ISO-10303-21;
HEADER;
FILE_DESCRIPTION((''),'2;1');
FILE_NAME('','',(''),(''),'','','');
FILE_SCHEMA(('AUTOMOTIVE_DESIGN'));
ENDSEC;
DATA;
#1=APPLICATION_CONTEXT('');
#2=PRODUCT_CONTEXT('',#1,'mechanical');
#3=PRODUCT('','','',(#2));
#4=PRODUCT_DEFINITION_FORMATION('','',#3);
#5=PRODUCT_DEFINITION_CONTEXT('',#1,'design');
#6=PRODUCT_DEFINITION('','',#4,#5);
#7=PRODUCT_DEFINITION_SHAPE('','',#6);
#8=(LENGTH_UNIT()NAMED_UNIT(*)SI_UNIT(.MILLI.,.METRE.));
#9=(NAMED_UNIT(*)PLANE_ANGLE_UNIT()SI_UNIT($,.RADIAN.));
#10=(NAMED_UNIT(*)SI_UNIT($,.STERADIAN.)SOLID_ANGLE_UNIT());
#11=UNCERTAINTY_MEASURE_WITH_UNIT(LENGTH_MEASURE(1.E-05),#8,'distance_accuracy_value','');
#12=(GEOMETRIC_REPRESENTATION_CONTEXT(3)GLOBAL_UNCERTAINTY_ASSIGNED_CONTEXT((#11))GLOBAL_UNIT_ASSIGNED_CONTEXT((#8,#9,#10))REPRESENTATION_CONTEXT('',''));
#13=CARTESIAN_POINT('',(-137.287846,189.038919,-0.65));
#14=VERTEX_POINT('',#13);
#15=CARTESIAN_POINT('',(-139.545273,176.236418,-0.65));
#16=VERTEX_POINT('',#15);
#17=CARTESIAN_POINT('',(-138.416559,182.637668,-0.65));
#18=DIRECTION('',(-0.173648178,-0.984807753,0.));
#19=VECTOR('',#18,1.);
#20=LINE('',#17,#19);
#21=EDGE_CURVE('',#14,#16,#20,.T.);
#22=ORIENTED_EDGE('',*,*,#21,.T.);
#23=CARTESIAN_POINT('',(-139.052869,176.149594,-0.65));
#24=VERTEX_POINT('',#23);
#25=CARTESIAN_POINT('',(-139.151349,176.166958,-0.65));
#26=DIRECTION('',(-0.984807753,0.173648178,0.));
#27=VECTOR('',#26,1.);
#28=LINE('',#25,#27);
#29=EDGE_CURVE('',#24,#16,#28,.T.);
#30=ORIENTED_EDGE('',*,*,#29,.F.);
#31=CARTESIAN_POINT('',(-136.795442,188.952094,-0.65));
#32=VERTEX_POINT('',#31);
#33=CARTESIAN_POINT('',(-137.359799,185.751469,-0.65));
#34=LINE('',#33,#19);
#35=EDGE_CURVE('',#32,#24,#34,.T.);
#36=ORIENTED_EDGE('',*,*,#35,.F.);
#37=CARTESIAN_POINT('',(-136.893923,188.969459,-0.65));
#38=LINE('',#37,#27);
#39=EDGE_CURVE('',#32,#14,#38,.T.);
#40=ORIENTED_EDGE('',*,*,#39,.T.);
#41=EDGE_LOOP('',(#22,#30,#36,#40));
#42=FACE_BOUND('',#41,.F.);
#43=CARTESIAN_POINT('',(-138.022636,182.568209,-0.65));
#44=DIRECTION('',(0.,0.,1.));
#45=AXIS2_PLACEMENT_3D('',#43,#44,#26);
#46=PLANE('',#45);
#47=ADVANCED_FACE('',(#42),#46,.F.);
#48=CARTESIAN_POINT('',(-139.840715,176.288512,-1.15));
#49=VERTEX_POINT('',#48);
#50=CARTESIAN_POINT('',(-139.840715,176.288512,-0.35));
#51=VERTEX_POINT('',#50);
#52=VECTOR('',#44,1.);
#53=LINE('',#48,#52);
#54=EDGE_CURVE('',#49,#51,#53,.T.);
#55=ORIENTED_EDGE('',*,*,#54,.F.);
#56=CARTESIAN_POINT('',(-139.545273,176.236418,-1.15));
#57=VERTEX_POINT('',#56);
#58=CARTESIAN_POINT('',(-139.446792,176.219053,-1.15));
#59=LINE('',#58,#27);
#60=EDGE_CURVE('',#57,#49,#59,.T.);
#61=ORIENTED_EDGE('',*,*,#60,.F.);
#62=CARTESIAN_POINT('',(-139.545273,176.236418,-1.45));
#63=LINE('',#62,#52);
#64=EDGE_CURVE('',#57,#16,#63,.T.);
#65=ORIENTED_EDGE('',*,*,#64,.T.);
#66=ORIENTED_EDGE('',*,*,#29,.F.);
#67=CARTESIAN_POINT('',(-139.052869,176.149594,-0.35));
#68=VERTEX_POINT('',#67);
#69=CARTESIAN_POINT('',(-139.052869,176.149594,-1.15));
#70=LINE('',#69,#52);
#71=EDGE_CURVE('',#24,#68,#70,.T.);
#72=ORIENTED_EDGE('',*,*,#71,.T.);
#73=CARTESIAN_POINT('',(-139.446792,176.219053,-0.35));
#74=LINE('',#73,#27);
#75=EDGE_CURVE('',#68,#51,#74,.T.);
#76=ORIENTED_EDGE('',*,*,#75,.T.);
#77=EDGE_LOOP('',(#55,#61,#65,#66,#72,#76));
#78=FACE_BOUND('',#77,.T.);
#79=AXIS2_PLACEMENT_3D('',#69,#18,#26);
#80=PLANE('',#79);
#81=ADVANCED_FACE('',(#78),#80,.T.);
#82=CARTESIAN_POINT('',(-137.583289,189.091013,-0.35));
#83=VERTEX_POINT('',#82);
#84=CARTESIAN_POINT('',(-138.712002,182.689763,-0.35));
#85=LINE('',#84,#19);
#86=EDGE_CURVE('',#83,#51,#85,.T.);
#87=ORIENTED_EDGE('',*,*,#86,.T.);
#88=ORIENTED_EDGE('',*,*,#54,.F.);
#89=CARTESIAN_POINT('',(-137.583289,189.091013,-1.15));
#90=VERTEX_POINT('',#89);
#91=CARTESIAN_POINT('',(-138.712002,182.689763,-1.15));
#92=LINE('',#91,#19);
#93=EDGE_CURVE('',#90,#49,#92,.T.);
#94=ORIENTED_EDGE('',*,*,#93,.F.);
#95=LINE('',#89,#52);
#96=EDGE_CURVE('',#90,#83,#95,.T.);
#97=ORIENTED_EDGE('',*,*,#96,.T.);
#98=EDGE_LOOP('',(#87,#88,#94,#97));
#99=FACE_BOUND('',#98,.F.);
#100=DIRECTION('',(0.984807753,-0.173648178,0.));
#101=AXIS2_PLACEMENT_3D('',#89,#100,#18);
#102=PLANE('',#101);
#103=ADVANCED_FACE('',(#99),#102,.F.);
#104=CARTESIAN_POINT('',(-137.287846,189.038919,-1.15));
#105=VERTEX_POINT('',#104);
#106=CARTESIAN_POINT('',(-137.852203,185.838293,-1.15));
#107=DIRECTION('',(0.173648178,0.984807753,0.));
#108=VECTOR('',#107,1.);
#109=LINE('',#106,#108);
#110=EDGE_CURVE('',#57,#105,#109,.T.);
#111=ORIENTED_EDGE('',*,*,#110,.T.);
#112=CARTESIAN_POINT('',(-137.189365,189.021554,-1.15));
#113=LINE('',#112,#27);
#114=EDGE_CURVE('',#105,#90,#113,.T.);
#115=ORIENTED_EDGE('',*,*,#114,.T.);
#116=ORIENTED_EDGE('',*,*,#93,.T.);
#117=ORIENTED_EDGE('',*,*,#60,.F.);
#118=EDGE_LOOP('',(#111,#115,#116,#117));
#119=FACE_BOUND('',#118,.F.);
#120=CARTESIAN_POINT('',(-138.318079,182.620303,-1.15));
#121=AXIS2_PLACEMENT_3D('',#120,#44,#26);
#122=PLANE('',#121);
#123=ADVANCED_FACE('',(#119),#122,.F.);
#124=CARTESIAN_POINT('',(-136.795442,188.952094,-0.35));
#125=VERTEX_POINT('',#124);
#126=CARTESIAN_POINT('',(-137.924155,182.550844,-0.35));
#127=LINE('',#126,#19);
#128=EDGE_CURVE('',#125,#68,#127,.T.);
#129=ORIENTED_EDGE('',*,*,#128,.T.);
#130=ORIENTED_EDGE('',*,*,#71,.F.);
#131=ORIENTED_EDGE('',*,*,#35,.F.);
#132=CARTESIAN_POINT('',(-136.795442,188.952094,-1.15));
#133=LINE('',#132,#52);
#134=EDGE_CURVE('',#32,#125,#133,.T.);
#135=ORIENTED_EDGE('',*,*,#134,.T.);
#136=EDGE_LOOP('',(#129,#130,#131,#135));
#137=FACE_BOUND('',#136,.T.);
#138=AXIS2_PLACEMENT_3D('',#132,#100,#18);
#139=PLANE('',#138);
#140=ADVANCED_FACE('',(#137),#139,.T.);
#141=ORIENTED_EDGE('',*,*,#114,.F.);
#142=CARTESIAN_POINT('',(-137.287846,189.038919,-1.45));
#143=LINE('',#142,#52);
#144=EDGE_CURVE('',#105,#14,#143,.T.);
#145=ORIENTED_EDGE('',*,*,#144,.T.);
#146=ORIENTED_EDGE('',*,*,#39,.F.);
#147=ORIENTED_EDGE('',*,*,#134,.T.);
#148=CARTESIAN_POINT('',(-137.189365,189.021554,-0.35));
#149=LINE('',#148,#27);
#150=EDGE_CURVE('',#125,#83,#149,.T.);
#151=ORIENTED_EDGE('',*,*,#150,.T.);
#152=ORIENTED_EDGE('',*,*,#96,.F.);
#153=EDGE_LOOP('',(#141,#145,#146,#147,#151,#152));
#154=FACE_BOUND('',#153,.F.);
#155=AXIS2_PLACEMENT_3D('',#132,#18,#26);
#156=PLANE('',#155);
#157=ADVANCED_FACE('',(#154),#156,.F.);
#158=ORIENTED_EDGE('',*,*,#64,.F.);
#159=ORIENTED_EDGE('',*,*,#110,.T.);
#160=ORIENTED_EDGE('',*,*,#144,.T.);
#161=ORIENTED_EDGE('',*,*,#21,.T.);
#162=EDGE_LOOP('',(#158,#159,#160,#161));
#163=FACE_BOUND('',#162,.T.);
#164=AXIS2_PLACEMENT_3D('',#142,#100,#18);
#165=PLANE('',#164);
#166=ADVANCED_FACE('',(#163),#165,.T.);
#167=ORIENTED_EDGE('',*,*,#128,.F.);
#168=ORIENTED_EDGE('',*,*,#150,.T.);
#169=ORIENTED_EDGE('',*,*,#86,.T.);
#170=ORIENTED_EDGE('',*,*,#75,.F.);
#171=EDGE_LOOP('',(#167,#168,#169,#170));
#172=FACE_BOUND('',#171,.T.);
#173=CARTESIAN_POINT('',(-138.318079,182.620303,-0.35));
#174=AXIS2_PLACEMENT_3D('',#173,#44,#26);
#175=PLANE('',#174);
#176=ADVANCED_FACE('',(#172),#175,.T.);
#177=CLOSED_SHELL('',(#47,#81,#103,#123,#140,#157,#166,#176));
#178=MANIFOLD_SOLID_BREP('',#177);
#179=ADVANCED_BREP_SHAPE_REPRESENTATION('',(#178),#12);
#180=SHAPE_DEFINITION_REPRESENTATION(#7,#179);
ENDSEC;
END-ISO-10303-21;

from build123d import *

# Parameters (mm, degrees)
BOX181_W               = 0.8
BOX181_H               = 13
BOX181_DEPTH           = 0.8
BOX182_W               = 0.8
BOX182_H               = 13
BOX182_DEPTH           = 0.8
CUT094_PLACEMENT_ANGLE = 170


with BuildPart() as cubo181:
    # Box181 → Box181 (new body)
    with BuildSketch(Plane.XY):
        with Locations((0.4, 6.5)):
            Rectangle(BOX181_W, BOX181_H)
    extrude(amount=BOX181_DEPTH)


with BuildPart() as perfil_l_2da_cara036:
    # Box182 → Box182 (new body)
    with BuildSketch(Plane(origin=(0.3, 0, 0.3), x_dir=(1, 0, 0), z_dir=(0, 0, 1))):
        with Locations((0.4, 6.5)):
            Rectangle(BOX182_W, BOX182_H)
    extrude(amount=BOX182_DEPTH)

    # Cut094: cut Cubo181
    add(cubo181.part, mode=Mode.SUBTRACT)


with BuildPart() as perfil_l_2da_cara036_1:
    # Cut094 placement: moved
    add(perfil_l_2da_cara036.part.moved(Location((-136.5, 188.9, -1.45))).rotate(Axis((-136.5, 188.9, -1.45), (0, 0, 1)), CUT094_PLACEMENT_ANGLE))


solid = perfil_l_2da_cara036_1.part
